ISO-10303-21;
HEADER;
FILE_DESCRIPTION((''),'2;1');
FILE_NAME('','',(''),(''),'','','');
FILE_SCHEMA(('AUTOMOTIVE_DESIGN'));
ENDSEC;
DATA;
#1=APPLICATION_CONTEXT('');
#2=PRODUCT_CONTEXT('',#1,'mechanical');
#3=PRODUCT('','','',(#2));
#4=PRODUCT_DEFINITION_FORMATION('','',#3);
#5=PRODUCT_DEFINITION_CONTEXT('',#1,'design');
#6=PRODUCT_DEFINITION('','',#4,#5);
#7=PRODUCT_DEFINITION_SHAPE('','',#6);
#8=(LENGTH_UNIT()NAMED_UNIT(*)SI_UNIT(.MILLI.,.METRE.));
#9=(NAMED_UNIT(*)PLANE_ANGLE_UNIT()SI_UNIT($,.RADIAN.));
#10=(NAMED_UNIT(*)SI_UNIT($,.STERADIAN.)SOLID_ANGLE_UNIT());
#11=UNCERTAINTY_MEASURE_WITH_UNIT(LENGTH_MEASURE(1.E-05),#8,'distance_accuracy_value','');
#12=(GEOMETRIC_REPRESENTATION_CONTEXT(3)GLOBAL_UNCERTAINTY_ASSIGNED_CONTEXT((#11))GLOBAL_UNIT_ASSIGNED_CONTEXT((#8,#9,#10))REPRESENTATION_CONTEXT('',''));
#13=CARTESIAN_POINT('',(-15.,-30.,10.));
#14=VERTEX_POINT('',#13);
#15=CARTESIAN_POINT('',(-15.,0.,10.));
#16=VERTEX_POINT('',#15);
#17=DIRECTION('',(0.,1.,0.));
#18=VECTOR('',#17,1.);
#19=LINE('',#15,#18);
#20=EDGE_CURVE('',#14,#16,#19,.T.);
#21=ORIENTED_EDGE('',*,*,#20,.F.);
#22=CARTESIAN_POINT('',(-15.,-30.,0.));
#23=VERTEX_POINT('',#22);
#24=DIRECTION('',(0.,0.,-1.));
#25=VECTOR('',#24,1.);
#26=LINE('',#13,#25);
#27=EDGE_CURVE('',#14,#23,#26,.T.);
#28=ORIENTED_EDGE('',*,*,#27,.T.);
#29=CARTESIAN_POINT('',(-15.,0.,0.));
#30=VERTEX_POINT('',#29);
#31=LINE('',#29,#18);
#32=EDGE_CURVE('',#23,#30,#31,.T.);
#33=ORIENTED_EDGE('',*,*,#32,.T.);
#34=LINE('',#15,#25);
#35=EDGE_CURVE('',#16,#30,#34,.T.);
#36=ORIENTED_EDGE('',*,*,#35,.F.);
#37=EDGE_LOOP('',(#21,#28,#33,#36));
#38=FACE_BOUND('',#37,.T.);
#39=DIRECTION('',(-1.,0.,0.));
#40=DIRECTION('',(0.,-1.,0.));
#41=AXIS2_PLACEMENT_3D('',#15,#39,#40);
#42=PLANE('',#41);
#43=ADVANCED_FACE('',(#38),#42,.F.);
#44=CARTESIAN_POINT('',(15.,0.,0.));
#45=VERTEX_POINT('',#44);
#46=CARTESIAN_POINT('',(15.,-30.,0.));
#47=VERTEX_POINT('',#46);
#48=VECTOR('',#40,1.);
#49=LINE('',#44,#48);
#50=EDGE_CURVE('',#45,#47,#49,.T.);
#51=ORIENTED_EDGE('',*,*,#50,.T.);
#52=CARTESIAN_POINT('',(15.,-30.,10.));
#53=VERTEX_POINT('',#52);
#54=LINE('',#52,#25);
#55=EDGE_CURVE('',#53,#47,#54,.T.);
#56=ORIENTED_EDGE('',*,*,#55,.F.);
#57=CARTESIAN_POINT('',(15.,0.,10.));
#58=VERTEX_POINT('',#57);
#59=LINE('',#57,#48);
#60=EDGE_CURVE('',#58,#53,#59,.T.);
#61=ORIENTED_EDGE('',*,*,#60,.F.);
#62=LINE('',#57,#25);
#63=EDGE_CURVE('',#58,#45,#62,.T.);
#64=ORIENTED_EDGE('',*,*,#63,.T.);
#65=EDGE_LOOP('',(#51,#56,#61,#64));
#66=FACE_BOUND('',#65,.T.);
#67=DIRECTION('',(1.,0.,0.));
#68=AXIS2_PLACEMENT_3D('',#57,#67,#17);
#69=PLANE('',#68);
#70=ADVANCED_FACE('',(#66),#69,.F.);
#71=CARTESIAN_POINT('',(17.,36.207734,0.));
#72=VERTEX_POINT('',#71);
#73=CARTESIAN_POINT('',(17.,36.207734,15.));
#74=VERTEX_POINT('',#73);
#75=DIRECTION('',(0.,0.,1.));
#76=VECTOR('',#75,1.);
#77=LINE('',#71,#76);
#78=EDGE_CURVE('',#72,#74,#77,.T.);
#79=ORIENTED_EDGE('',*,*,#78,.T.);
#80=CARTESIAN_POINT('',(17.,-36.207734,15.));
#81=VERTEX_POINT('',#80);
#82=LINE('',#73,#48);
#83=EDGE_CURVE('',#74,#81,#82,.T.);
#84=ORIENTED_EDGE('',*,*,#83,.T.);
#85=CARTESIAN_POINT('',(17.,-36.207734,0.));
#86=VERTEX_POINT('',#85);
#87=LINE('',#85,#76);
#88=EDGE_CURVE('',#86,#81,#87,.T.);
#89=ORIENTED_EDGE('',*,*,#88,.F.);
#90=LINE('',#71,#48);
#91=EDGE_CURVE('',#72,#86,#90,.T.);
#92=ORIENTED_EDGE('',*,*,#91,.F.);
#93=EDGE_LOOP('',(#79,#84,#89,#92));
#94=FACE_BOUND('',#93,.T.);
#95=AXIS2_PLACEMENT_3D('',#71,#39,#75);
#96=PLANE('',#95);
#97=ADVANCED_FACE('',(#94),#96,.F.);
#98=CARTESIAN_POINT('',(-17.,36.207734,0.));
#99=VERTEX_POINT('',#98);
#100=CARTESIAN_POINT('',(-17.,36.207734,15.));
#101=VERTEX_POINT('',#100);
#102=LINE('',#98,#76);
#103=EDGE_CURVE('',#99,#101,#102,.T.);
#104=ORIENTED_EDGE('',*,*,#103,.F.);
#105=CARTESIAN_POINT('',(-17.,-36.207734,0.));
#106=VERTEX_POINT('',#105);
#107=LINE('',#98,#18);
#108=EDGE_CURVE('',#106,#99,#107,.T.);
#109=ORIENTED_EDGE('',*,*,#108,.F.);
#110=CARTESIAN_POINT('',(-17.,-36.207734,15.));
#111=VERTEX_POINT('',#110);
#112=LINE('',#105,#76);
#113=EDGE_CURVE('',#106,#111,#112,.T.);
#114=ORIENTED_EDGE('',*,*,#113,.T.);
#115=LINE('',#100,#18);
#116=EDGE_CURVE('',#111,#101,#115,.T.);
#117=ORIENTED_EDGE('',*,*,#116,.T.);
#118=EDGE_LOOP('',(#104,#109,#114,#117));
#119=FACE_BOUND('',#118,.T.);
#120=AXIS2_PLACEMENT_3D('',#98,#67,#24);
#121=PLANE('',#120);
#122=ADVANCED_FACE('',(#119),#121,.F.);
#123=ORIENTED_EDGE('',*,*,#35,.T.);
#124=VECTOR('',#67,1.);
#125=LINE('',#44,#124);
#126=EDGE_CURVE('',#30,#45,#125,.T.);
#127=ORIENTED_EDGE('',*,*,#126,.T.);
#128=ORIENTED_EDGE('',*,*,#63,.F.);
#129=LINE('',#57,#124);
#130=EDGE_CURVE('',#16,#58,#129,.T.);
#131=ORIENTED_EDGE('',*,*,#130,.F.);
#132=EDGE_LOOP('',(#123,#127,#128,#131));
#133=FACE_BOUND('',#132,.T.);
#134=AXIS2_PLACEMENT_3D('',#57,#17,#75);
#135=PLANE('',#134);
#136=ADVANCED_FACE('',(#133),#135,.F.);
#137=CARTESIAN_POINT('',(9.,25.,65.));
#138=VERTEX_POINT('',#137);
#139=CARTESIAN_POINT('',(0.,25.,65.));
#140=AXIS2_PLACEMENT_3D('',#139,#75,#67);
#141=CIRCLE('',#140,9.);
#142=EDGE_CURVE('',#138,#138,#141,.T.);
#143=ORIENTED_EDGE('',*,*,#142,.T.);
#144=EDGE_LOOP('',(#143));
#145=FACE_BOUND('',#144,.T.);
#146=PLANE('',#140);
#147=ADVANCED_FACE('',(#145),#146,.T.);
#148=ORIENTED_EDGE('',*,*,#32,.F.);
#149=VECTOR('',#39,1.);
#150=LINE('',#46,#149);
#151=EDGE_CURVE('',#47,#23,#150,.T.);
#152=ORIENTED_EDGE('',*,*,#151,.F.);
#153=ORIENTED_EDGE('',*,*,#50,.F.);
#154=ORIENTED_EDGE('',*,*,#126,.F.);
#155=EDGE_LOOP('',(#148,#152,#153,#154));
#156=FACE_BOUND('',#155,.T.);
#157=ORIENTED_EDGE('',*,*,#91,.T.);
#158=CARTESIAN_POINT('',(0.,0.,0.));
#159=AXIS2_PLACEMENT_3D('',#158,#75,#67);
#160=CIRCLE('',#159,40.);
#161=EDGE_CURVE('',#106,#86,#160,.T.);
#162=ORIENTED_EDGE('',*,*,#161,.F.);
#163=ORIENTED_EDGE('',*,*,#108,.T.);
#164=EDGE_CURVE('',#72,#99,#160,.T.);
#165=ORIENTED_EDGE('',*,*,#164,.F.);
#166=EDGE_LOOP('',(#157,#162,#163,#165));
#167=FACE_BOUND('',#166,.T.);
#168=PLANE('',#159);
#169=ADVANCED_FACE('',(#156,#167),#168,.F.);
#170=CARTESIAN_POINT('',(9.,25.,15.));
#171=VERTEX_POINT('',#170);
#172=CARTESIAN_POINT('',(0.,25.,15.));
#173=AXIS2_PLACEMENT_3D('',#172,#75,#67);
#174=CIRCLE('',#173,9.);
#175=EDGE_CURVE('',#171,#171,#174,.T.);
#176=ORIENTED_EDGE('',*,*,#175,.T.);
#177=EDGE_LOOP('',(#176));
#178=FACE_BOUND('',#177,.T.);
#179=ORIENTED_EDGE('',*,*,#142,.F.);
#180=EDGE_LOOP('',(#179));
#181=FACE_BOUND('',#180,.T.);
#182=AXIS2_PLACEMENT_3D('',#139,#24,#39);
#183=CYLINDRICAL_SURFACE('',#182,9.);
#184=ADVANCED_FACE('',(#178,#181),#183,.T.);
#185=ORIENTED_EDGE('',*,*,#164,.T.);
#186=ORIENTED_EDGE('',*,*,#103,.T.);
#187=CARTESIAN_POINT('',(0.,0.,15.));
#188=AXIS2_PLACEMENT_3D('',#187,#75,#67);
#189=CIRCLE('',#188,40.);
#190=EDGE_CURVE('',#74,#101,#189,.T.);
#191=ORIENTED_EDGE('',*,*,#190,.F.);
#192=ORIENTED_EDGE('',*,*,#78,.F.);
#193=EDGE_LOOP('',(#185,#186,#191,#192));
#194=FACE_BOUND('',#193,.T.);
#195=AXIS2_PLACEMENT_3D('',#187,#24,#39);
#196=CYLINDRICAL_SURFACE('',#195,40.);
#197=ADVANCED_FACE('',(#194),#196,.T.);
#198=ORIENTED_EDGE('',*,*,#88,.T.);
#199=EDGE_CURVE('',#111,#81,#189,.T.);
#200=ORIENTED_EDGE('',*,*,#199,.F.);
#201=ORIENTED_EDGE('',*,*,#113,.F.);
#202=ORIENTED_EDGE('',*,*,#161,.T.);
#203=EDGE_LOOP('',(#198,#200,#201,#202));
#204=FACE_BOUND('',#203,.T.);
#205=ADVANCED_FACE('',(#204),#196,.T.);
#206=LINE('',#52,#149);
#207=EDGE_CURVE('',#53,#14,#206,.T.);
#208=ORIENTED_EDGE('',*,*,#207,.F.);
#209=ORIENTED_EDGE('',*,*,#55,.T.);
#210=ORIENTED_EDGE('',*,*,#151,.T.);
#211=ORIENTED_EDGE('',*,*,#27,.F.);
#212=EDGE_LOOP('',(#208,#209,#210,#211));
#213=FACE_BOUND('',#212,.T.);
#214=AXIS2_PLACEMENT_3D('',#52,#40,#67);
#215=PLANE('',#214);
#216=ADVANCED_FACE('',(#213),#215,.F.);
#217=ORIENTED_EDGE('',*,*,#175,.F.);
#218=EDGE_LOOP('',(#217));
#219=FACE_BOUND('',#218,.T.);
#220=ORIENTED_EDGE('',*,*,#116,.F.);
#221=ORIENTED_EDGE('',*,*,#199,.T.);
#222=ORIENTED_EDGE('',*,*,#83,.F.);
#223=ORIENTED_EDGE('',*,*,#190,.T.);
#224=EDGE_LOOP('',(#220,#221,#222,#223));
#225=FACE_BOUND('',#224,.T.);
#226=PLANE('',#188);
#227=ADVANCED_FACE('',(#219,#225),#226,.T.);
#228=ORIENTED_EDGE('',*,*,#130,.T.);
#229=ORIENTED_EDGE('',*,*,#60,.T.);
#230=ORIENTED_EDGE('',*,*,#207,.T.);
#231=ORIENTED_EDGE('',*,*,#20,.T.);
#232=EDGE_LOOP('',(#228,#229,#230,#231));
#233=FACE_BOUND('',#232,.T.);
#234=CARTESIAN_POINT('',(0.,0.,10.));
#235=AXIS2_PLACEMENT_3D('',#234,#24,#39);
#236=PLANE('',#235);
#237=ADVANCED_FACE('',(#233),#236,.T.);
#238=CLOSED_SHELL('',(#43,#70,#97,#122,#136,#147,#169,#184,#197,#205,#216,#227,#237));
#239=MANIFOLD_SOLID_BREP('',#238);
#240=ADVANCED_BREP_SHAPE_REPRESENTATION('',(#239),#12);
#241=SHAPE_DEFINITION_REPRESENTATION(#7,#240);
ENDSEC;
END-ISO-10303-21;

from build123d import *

# Parameters (mm, degrees)
CROQUIS1_R              = 40
SALIENTE_EXTRUIR1_DEPTH = 15
CROQUIS3_R              = 9
SALIENTE_EXTRUIR2_DEPTH = 50
CROQUIS4_W              = 30
CROQUIS4_H              = 30
CORTAR_EXTRUIR1_DEPTH   = 10
CORTAR_EXTRUIR3_DEPTH   = 76.498344353


with BuildPart() as part:
    # Croquis1 → Saliente-Extruir1 (new body)
    with BuildSketch(Plane.XY):
        Circle(CROQUIS1_R)
    extrude(amount=SALIENTE_EXTRUIR1_DEPTH)

    # Croquis3 → Saliente-Extruir2 (add)
    with BuildSketch(Plane.XY.offset(15)):
        with Locations((0, 25)):
            Circle(CROQUIS3_R)
    extrude(amount=SALIENTE_EXTRUIR2_DEPTH)

    # Croquis4 → Cortar-Extruir1 (cut)
    with BuildSketch(Plane(origin=(0, 0, 0), x_dir=(-1, 0, 0), z_dir=(0, 0, -1))):
        with Locations((0, -15)):
            Rectangle(CROQUIS4_W, CROQUIS4_H)
    extrude(amount=-CORTAR_EXTRUIR1_DEPTH, mode=Mode.SUBTRACT)

    # Croquis5 → Cortar-Extruir3 (cut, through all)
    with BuildSketch(Plane.XY.offset(15)):
        with BuildLine():
            Line((-17, 36.20773398), (-17, -36.20773398))
            ThreePointArc((-17, -36.20773398), (-40, 0), (-17, 36.20773398))
        make_face()
        with BuildLine():
            Line((17, 36.20773398), (17, -36.20773398))
            ThreePointArc((17, -36.20773398), (40, 0), (17, 36.20773398))
        make_face()
    extrude(amount=-CORTAR_EXTRUIR3_DEPTH, mode=Mode.SUBTRACT)


solid = part.part
